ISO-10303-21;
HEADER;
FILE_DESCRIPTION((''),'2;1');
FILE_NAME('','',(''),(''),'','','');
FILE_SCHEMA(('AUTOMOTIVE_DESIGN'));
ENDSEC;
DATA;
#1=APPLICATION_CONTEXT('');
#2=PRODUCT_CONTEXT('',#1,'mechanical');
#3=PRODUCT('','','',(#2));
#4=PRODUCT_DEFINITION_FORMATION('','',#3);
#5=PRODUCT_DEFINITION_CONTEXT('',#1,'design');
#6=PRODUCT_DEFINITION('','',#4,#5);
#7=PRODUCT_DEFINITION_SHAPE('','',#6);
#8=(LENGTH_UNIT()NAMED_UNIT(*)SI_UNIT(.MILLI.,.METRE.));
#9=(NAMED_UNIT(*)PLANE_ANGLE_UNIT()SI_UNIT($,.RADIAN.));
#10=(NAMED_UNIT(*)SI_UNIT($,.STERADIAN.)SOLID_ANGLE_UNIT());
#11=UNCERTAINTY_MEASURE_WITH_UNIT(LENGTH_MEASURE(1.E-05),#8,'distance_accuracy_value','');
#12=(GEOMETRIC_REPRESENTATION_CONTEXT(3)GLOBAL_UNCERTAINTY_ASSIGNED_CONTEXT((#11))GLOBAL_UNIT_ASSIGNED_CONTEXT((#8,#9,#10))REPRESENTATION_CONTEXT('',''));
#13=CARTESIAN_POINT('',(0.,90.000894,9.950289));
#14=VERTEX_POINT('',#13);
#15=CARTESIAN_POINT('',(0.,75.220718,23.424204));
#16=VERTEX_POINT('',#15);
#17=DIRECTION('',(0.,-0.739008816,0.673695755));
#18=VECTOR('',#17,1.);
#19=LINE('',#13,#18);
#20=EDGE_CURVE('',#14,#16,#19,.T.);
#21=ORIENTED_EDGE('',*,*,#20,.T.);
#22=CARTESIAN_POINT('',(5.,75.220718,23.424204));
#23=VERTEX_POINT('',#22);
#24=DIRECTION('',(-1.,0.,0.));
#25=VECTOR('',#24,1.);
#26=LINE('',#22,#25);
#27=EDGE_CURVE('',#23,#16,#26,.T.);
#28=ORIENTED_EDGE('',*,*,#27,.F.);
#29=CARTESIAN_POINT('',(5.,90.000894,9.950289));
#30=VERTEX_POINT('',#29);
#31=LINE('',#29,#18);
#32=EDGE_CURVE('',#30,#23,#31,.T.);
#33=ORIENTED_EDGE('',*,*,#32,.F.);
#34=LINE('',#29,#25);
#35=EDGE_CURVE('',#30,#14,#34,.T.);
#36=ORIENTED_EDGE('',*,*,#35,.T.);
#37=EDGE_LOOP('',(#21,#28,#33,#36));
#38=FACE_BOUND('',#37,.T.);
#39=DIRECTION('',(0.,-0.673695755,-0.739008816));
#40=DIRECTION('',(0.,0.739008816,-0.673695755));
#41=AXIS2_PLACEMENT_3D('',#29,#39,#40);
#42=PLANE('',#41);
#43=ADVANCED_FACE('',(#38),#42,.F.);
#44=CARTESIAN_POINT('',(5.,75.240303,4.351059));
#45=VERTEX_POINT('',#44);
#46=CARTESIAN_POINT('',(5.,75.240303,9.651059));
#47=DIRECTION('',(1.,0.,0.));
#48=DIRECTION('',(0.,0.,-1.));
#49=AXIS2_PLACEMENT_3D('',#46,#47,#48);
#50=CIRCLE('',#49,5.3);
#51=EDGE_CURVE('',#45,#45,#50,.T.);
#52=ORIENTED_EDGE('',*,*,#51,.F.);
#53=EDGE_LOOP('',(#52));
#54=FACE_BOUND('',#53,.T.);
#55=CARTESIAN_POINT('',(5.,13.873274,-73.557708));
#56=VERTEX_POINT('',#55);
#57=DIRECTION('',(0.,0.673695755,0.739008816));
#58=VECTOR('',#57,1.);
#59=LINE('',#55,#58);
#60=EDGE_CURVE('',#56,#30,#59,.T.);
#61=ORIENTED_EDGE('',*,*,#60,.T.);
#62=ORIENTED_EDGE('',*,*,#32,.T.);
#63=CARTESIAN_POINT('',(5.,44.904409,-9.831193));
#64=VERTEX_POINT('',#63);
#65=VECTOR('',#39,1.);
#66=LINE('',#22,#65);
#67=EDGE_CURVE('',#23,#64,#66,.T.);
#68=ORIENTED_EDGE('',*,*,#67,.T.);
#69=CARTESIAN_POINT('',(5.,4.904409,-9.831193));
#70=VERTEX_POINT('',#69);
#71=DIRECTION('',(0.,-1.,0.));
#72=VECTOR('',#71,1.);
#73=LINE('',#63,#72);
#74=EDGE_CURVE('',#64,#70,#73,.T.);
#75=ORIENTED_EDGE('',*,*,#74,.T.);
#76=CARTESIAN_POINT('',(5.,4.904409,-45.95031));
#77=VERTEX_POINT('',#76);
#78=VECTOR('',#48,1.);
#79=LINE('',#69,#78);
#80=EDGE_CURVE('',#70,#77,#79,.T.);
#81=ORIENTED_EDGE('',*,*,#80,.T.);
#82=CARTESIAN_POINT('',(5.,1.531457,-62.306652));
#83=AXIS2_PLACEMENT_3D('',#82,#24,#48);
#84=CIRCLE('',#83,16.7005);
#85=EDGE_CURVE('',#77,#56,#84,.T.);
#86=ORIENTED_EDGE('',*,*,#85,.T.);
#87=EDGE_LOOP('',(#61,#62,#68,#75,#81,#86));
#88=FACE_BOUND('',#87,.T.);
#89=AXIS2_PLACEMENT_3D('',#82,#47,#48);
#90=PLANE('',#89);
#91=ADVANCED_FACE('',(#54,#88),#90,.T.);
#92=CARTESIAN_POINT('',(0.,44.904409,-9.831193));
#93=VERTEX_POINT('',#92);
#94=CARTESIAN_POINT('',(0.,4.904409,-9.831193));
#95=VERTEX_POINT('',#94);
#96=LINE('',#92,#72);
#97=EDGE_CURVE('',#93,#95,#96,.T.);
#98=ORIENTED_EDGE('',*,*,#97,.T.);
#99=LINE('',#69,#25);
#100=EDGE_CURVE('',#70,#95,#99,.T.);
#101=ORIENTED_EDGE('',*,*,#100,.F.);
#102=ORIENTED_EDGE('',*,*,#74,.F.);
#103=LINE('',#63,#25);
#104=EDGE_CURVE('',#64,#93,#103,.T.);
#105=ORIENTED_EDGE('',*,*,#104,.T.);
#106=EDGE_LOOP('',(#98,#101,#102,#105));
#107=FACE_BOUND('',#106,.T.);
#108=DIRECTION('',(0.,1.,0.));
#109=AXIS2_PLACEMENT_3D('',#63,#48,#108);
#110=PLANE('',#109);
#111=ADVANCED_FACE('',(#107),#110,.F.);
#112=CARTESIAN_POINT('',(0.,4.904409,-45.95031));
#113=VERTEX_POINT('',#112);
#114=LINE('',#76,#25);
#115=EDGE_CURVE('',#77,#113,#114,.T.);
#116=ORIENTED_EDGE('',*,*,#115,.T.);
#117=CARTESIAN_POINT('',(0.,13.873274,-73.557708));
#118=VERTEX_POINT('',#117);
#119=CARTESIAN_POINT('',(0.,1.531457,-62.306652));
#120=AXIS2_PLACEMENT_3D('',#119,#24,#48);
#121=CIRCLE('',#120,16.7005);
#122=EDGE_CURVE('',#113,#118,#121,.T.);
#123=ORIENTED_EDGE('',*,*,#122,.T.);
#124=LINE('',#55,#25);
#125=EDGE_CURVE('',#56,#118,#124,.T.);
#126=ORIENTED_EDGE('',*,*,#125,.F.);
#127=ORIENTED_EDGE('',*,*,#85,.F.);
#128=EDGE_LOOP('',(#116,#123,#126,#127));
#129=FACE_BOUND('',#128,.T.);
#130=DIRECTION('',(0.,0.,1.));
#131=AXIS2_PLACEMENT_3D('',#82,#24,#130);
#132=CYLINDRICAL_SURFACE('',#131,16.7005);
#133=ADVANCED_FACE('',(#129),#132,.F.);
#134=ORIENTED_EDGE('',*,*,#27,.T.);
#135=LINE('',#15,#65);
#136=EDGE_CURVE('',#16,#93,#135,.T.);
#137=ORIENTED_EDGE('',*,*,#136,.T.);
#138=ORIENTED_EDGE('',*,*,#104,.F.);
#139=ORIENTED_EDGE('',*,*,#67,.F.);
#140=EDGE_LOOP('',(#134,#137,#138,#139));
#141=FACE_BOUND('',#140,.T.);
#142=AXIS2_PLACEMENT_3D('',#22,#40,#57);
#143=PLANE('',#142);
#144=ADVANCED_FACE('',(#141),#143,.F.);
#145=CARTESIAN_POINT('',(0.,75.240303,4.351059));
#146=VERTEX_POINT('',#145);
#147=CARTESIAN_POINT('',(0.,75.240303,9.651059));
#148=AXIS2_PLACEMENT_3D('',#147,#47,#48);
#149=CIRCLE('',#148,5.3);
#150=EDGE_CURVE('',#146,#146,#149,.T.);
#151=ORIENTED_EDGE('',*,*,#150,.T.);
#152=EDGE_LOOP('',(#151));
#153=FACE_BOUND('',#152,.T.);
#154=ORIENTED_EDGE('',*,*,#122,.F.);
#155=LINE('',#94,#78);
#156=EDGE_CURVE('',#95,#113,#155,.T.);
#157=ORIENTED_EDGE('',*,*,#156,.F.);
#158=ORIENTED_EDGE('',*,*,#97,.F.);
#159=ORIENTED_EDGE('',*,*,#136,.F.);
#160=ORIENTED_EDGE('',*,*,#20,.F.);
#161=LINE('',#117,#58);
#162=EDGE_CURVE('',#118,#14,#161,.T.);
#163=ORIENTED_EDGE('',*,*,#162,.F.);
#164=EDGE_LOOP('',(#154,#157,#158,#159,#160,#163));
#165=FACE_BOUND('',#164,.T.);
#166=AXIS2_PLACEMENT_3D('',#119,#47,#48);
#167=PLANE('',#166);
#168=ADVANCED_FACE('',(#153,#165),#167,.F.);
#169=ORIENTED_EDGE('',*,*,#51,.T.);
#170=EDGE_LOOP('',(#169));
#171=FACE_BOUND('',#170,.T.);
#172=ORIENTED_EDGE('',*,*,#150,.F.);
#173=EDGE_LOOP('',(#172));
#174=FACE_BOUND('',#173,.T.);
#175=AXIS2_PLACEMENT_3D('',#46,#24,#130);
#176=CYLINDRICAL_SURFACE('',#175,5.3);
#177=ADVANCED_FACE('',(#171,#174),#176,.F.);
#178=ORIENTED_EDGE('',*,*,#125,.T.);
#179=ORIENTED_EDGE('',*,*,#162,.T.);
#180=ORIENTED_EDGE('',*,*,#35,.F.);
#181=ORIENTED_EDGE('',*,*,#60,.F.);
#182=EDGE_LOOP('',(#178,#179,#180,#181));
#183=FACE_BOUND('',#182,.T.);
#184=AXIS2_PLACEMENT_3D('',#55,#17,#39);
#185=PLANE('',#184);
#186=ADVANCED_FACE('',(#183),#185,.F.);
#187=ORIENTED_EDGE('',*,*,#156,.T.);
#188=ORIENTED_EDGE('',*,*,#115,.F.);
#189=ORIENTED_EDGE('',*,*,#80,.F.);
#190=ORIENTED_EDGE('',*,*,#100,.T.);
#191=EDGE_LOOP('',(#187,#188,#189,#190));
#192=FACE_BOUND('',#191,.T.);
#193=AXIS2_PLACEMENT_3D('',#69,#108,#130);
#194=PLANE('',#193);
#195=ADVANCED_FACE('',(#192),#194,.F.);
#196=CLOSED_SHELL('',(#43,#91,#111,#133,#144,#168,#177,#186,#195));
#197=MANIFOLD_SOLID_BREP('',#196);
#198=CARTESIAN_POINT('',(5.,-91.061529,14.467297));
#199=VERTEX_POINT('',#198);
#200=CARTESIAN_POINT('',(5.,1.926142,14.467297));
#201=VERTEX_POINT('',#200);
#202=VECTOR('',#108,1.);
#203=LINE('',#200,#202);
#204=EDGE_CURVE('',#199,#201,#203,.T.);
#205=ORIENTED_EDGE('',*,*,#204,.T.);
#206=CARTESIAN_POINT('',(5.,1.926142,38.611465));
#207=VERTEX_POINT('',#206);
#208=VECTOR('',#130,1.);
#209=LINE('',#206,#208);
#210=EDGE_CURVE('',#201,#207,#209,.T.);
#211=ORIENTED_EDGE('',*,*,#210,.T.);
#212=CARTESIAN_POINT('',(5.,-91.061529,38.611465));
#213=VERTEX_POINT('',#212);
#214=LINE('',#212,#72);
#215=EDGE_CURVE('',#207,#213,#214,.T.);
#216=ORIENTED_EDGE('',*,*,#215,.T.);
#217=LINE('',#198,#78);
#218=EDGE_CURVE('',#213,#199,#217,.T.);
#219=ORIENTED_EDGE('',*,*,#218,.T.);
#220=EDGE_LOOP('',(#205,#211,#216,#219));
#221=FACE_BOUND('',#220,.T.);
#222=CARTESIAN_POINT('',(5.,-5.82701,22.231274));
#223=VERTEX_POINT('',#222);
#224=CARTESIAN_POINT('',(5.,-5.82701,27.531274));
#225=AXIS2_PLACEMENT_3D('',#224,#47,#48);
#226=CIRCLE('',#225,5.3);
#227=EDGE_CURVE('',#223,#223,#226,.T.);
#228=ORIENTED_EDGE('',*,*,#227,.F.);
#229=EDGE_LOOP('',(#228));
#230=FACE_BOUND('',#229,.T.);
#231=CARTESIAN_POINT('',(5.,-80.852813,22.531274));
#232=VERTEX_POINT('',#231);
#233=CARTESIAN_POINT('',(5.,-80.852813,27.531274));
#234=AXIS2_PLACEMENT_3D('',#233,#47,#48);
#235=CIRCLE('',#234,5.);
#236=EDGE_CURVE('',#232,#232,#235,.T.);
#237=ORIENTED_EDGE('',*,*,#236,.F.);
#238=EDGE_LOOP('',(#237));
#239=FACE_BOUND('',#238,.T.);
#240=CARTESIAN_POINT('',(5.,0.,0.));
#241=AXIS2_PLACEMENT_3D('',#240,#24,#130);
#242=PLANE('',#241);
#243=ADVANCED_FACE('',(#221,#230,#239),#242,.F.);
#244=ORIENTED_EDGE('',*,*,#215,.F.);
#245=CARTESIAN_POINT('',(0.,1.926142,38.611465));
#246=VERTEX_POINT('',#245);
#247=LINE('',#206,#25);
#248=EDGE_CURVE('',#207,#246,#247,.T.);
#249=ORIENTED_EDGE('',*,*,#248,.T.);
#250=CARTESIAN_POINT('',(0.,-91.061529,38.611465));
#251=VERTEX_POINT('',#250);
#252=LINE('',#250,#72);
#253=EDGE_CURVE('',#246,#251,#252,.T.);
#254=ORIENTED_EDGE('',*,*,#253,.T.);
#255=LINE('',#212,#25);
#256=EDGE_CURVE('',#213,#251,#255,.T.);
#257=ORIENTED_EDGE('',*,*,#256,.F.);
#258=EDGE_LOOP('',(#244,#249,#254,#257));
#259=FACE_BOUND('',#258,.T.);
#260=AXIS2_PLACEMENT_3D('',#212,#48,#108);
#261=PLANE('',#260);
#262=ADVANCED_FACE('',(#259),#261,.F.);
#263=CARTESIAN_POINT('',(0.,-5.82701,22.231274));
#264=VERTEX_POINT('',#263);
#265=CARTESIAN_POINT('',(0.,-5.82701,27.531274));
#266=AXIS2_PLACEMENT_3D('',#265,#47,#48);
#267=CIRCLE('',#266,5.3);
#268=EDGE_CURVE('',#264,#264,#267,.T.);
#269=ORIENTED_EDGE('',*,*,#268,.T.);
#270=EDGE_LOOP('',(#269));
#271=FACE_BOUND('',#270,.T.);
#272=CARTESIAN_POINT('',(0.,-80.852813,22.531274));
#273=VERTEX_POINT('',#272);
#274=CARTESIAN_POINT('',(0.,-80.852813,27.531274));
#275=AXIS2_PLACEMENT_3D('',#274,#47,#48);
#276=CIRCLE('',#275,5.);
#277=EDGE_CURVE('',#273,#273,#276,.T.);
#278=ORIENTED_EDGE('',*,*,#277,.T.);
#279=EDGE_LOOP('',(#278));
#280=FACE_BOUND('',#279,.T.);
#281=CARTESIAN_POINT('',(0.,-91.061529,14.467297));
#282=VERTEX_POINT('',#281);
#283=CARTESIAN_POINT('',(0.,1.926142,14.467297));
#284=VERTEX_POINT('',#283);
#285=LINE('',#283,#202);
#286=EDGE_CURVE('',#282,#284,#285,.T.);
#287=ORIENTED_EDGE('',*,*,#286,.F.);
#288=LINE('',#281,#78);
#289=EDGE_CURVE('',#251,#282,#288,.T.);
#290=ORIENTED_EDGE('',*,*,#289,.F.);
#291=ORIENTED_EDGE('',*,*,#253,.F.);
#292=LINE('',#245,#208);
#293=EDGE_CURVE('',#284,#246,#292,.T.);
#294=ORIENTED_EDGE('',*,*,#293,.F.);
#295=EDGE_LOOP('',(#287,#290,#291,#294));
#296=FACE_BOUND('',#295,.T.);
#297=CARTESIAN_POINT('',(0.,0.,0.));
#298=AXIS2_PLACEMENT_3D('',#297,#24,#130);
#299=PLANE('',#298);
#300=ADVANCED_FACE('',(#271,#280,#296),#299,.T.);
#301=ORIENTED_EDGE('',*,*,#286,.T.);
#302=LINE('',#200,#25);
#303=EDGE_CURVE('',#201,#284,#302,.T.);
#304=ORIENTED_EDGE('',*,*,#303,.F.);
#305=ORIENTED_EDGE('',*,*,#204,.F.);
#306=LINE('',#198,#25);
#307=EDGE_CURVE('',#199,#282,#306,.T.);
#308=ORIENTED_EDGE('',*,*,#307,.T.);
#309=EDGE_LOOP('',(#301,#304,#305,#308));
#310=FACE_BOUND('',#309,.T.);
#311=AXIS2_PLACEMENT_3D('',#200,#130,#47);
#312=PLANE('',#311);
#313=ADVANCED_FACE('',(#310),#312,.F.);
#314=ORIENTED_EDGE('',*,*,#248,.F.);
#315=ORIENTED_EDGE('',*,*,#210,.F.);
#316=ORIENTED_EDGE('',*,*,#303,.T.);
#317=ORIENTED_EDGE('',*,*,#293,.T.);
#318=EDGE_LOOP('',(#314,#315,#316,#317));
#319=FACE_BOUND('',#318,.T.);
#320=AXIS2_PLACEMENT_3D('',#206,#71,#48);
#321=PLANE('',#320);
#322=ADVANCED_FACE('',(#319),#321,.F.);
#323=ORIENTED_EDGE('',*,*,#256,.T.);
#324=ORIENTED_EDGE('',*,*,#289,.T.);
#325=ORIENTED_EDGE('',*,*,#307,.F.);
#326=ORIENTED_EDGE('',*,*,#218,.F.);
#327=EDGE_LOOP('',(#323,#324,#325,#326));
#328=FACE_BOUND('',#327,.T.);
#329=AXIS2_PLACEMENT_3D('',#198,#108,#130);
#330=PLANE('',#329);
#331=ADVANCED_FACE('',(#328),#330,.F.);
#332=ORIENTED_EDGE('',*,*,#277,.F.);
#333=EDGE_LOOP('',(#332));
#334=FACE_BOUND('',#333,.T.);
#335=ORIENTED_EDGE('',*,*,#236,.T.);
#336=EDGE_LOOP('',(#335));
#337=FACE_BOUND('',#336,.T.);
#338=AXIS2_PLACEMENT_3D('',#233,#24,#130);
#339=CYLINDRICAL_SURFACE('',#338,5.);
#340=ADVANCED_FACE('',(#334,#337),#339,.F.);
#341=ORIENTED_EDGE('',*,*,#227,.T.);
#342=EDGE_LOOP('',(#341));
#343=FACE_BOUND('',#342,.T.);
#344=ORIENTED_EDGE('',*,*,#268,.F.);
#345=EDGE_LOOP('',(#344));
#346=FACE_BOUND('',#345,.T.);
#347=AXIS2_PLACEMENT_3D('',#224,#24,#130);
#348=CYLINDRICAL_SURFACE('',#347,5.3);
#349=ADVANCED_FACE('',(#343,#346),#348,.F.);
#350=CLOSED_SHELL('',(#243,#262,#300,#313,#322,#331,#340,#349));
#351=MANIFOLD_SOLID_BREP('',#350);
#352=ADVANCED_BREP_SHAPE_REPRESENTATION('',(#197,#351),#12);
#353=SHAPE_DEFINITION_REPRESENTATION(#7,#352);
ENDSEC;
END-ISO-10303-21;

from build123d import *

# Parameters (mm, degrees)
CROQUIS1_R                = 5.3
SALIENTE_EXTRUIR1_DEPTH   = 5
CROQUIS1_W                = 24.144167284
CROQUIS1_H                = 92.987671296
CROQUIS1_R_2              = 5
SALIENTE_EXTRUIR1_2_DEPTH = 5


with BuildPart() as part:
    # Croquis1 → Saliente-Extruir1 (new body)
    with BuildSketch(Plane(origin=(0, 0, 0), x_dir=(0, 0, -1), z_dir=(1, 0, 0))):
        with BuildLine():
            Line((73.557707563, 13.873274173), (-9.950288611, 90.000894489))
            Line((-9.950288611, 90.000894489), (-23.424203712, 75.220718175))
            Line((-23.424203712, 75.220718175), (9.831192995, 44.9044092))
            Line((9.831192995, 44.9044092), (9.831192995, 4.9044092))
            Line((9.831192995, 4.9044092), (45.950310428, 4.9044092))
            ThreePointArc((45.950310428, 4.9044092), (57.146601313, 17.414800332), (73.557707563, 13.873274173))
        make_face()
        with Locations((-9.651058952, 75.240303355)):
            Circle(CROQUIS1_R, mode=Mode.SUBTRACT)
    extrude(amount=SALIENTE_EXTRUIR1_DEPTH)


with BuildPart() as body_2:
    # Croquis1 → Saliente-Extruir1 2 (new body)
    with BuildSketch(Plane(origin=(0, 0, 0), x_dir=(0, 0, -1), z_dir=(1, 0, 0))):
        with Locations((-26.539381131, -44.567693736)):
            Rectangle(CROQUIS1_W, CROQUIS1_H)
        with Locations((-27.531274421, -5.827010277)):
            Circle(CROQUIS1_R, mode=Mode.SUBTRACT)
        with Locations((-27.531274421, -80.852812864)):
            Circle(CROQUIS1_R_2, mode=Mode.SUBTRACT)
    extrude(amount=SALIENTE_EXTRUIR1_2_DEPTH)


solid = Compound([part.part, body_2.part])
